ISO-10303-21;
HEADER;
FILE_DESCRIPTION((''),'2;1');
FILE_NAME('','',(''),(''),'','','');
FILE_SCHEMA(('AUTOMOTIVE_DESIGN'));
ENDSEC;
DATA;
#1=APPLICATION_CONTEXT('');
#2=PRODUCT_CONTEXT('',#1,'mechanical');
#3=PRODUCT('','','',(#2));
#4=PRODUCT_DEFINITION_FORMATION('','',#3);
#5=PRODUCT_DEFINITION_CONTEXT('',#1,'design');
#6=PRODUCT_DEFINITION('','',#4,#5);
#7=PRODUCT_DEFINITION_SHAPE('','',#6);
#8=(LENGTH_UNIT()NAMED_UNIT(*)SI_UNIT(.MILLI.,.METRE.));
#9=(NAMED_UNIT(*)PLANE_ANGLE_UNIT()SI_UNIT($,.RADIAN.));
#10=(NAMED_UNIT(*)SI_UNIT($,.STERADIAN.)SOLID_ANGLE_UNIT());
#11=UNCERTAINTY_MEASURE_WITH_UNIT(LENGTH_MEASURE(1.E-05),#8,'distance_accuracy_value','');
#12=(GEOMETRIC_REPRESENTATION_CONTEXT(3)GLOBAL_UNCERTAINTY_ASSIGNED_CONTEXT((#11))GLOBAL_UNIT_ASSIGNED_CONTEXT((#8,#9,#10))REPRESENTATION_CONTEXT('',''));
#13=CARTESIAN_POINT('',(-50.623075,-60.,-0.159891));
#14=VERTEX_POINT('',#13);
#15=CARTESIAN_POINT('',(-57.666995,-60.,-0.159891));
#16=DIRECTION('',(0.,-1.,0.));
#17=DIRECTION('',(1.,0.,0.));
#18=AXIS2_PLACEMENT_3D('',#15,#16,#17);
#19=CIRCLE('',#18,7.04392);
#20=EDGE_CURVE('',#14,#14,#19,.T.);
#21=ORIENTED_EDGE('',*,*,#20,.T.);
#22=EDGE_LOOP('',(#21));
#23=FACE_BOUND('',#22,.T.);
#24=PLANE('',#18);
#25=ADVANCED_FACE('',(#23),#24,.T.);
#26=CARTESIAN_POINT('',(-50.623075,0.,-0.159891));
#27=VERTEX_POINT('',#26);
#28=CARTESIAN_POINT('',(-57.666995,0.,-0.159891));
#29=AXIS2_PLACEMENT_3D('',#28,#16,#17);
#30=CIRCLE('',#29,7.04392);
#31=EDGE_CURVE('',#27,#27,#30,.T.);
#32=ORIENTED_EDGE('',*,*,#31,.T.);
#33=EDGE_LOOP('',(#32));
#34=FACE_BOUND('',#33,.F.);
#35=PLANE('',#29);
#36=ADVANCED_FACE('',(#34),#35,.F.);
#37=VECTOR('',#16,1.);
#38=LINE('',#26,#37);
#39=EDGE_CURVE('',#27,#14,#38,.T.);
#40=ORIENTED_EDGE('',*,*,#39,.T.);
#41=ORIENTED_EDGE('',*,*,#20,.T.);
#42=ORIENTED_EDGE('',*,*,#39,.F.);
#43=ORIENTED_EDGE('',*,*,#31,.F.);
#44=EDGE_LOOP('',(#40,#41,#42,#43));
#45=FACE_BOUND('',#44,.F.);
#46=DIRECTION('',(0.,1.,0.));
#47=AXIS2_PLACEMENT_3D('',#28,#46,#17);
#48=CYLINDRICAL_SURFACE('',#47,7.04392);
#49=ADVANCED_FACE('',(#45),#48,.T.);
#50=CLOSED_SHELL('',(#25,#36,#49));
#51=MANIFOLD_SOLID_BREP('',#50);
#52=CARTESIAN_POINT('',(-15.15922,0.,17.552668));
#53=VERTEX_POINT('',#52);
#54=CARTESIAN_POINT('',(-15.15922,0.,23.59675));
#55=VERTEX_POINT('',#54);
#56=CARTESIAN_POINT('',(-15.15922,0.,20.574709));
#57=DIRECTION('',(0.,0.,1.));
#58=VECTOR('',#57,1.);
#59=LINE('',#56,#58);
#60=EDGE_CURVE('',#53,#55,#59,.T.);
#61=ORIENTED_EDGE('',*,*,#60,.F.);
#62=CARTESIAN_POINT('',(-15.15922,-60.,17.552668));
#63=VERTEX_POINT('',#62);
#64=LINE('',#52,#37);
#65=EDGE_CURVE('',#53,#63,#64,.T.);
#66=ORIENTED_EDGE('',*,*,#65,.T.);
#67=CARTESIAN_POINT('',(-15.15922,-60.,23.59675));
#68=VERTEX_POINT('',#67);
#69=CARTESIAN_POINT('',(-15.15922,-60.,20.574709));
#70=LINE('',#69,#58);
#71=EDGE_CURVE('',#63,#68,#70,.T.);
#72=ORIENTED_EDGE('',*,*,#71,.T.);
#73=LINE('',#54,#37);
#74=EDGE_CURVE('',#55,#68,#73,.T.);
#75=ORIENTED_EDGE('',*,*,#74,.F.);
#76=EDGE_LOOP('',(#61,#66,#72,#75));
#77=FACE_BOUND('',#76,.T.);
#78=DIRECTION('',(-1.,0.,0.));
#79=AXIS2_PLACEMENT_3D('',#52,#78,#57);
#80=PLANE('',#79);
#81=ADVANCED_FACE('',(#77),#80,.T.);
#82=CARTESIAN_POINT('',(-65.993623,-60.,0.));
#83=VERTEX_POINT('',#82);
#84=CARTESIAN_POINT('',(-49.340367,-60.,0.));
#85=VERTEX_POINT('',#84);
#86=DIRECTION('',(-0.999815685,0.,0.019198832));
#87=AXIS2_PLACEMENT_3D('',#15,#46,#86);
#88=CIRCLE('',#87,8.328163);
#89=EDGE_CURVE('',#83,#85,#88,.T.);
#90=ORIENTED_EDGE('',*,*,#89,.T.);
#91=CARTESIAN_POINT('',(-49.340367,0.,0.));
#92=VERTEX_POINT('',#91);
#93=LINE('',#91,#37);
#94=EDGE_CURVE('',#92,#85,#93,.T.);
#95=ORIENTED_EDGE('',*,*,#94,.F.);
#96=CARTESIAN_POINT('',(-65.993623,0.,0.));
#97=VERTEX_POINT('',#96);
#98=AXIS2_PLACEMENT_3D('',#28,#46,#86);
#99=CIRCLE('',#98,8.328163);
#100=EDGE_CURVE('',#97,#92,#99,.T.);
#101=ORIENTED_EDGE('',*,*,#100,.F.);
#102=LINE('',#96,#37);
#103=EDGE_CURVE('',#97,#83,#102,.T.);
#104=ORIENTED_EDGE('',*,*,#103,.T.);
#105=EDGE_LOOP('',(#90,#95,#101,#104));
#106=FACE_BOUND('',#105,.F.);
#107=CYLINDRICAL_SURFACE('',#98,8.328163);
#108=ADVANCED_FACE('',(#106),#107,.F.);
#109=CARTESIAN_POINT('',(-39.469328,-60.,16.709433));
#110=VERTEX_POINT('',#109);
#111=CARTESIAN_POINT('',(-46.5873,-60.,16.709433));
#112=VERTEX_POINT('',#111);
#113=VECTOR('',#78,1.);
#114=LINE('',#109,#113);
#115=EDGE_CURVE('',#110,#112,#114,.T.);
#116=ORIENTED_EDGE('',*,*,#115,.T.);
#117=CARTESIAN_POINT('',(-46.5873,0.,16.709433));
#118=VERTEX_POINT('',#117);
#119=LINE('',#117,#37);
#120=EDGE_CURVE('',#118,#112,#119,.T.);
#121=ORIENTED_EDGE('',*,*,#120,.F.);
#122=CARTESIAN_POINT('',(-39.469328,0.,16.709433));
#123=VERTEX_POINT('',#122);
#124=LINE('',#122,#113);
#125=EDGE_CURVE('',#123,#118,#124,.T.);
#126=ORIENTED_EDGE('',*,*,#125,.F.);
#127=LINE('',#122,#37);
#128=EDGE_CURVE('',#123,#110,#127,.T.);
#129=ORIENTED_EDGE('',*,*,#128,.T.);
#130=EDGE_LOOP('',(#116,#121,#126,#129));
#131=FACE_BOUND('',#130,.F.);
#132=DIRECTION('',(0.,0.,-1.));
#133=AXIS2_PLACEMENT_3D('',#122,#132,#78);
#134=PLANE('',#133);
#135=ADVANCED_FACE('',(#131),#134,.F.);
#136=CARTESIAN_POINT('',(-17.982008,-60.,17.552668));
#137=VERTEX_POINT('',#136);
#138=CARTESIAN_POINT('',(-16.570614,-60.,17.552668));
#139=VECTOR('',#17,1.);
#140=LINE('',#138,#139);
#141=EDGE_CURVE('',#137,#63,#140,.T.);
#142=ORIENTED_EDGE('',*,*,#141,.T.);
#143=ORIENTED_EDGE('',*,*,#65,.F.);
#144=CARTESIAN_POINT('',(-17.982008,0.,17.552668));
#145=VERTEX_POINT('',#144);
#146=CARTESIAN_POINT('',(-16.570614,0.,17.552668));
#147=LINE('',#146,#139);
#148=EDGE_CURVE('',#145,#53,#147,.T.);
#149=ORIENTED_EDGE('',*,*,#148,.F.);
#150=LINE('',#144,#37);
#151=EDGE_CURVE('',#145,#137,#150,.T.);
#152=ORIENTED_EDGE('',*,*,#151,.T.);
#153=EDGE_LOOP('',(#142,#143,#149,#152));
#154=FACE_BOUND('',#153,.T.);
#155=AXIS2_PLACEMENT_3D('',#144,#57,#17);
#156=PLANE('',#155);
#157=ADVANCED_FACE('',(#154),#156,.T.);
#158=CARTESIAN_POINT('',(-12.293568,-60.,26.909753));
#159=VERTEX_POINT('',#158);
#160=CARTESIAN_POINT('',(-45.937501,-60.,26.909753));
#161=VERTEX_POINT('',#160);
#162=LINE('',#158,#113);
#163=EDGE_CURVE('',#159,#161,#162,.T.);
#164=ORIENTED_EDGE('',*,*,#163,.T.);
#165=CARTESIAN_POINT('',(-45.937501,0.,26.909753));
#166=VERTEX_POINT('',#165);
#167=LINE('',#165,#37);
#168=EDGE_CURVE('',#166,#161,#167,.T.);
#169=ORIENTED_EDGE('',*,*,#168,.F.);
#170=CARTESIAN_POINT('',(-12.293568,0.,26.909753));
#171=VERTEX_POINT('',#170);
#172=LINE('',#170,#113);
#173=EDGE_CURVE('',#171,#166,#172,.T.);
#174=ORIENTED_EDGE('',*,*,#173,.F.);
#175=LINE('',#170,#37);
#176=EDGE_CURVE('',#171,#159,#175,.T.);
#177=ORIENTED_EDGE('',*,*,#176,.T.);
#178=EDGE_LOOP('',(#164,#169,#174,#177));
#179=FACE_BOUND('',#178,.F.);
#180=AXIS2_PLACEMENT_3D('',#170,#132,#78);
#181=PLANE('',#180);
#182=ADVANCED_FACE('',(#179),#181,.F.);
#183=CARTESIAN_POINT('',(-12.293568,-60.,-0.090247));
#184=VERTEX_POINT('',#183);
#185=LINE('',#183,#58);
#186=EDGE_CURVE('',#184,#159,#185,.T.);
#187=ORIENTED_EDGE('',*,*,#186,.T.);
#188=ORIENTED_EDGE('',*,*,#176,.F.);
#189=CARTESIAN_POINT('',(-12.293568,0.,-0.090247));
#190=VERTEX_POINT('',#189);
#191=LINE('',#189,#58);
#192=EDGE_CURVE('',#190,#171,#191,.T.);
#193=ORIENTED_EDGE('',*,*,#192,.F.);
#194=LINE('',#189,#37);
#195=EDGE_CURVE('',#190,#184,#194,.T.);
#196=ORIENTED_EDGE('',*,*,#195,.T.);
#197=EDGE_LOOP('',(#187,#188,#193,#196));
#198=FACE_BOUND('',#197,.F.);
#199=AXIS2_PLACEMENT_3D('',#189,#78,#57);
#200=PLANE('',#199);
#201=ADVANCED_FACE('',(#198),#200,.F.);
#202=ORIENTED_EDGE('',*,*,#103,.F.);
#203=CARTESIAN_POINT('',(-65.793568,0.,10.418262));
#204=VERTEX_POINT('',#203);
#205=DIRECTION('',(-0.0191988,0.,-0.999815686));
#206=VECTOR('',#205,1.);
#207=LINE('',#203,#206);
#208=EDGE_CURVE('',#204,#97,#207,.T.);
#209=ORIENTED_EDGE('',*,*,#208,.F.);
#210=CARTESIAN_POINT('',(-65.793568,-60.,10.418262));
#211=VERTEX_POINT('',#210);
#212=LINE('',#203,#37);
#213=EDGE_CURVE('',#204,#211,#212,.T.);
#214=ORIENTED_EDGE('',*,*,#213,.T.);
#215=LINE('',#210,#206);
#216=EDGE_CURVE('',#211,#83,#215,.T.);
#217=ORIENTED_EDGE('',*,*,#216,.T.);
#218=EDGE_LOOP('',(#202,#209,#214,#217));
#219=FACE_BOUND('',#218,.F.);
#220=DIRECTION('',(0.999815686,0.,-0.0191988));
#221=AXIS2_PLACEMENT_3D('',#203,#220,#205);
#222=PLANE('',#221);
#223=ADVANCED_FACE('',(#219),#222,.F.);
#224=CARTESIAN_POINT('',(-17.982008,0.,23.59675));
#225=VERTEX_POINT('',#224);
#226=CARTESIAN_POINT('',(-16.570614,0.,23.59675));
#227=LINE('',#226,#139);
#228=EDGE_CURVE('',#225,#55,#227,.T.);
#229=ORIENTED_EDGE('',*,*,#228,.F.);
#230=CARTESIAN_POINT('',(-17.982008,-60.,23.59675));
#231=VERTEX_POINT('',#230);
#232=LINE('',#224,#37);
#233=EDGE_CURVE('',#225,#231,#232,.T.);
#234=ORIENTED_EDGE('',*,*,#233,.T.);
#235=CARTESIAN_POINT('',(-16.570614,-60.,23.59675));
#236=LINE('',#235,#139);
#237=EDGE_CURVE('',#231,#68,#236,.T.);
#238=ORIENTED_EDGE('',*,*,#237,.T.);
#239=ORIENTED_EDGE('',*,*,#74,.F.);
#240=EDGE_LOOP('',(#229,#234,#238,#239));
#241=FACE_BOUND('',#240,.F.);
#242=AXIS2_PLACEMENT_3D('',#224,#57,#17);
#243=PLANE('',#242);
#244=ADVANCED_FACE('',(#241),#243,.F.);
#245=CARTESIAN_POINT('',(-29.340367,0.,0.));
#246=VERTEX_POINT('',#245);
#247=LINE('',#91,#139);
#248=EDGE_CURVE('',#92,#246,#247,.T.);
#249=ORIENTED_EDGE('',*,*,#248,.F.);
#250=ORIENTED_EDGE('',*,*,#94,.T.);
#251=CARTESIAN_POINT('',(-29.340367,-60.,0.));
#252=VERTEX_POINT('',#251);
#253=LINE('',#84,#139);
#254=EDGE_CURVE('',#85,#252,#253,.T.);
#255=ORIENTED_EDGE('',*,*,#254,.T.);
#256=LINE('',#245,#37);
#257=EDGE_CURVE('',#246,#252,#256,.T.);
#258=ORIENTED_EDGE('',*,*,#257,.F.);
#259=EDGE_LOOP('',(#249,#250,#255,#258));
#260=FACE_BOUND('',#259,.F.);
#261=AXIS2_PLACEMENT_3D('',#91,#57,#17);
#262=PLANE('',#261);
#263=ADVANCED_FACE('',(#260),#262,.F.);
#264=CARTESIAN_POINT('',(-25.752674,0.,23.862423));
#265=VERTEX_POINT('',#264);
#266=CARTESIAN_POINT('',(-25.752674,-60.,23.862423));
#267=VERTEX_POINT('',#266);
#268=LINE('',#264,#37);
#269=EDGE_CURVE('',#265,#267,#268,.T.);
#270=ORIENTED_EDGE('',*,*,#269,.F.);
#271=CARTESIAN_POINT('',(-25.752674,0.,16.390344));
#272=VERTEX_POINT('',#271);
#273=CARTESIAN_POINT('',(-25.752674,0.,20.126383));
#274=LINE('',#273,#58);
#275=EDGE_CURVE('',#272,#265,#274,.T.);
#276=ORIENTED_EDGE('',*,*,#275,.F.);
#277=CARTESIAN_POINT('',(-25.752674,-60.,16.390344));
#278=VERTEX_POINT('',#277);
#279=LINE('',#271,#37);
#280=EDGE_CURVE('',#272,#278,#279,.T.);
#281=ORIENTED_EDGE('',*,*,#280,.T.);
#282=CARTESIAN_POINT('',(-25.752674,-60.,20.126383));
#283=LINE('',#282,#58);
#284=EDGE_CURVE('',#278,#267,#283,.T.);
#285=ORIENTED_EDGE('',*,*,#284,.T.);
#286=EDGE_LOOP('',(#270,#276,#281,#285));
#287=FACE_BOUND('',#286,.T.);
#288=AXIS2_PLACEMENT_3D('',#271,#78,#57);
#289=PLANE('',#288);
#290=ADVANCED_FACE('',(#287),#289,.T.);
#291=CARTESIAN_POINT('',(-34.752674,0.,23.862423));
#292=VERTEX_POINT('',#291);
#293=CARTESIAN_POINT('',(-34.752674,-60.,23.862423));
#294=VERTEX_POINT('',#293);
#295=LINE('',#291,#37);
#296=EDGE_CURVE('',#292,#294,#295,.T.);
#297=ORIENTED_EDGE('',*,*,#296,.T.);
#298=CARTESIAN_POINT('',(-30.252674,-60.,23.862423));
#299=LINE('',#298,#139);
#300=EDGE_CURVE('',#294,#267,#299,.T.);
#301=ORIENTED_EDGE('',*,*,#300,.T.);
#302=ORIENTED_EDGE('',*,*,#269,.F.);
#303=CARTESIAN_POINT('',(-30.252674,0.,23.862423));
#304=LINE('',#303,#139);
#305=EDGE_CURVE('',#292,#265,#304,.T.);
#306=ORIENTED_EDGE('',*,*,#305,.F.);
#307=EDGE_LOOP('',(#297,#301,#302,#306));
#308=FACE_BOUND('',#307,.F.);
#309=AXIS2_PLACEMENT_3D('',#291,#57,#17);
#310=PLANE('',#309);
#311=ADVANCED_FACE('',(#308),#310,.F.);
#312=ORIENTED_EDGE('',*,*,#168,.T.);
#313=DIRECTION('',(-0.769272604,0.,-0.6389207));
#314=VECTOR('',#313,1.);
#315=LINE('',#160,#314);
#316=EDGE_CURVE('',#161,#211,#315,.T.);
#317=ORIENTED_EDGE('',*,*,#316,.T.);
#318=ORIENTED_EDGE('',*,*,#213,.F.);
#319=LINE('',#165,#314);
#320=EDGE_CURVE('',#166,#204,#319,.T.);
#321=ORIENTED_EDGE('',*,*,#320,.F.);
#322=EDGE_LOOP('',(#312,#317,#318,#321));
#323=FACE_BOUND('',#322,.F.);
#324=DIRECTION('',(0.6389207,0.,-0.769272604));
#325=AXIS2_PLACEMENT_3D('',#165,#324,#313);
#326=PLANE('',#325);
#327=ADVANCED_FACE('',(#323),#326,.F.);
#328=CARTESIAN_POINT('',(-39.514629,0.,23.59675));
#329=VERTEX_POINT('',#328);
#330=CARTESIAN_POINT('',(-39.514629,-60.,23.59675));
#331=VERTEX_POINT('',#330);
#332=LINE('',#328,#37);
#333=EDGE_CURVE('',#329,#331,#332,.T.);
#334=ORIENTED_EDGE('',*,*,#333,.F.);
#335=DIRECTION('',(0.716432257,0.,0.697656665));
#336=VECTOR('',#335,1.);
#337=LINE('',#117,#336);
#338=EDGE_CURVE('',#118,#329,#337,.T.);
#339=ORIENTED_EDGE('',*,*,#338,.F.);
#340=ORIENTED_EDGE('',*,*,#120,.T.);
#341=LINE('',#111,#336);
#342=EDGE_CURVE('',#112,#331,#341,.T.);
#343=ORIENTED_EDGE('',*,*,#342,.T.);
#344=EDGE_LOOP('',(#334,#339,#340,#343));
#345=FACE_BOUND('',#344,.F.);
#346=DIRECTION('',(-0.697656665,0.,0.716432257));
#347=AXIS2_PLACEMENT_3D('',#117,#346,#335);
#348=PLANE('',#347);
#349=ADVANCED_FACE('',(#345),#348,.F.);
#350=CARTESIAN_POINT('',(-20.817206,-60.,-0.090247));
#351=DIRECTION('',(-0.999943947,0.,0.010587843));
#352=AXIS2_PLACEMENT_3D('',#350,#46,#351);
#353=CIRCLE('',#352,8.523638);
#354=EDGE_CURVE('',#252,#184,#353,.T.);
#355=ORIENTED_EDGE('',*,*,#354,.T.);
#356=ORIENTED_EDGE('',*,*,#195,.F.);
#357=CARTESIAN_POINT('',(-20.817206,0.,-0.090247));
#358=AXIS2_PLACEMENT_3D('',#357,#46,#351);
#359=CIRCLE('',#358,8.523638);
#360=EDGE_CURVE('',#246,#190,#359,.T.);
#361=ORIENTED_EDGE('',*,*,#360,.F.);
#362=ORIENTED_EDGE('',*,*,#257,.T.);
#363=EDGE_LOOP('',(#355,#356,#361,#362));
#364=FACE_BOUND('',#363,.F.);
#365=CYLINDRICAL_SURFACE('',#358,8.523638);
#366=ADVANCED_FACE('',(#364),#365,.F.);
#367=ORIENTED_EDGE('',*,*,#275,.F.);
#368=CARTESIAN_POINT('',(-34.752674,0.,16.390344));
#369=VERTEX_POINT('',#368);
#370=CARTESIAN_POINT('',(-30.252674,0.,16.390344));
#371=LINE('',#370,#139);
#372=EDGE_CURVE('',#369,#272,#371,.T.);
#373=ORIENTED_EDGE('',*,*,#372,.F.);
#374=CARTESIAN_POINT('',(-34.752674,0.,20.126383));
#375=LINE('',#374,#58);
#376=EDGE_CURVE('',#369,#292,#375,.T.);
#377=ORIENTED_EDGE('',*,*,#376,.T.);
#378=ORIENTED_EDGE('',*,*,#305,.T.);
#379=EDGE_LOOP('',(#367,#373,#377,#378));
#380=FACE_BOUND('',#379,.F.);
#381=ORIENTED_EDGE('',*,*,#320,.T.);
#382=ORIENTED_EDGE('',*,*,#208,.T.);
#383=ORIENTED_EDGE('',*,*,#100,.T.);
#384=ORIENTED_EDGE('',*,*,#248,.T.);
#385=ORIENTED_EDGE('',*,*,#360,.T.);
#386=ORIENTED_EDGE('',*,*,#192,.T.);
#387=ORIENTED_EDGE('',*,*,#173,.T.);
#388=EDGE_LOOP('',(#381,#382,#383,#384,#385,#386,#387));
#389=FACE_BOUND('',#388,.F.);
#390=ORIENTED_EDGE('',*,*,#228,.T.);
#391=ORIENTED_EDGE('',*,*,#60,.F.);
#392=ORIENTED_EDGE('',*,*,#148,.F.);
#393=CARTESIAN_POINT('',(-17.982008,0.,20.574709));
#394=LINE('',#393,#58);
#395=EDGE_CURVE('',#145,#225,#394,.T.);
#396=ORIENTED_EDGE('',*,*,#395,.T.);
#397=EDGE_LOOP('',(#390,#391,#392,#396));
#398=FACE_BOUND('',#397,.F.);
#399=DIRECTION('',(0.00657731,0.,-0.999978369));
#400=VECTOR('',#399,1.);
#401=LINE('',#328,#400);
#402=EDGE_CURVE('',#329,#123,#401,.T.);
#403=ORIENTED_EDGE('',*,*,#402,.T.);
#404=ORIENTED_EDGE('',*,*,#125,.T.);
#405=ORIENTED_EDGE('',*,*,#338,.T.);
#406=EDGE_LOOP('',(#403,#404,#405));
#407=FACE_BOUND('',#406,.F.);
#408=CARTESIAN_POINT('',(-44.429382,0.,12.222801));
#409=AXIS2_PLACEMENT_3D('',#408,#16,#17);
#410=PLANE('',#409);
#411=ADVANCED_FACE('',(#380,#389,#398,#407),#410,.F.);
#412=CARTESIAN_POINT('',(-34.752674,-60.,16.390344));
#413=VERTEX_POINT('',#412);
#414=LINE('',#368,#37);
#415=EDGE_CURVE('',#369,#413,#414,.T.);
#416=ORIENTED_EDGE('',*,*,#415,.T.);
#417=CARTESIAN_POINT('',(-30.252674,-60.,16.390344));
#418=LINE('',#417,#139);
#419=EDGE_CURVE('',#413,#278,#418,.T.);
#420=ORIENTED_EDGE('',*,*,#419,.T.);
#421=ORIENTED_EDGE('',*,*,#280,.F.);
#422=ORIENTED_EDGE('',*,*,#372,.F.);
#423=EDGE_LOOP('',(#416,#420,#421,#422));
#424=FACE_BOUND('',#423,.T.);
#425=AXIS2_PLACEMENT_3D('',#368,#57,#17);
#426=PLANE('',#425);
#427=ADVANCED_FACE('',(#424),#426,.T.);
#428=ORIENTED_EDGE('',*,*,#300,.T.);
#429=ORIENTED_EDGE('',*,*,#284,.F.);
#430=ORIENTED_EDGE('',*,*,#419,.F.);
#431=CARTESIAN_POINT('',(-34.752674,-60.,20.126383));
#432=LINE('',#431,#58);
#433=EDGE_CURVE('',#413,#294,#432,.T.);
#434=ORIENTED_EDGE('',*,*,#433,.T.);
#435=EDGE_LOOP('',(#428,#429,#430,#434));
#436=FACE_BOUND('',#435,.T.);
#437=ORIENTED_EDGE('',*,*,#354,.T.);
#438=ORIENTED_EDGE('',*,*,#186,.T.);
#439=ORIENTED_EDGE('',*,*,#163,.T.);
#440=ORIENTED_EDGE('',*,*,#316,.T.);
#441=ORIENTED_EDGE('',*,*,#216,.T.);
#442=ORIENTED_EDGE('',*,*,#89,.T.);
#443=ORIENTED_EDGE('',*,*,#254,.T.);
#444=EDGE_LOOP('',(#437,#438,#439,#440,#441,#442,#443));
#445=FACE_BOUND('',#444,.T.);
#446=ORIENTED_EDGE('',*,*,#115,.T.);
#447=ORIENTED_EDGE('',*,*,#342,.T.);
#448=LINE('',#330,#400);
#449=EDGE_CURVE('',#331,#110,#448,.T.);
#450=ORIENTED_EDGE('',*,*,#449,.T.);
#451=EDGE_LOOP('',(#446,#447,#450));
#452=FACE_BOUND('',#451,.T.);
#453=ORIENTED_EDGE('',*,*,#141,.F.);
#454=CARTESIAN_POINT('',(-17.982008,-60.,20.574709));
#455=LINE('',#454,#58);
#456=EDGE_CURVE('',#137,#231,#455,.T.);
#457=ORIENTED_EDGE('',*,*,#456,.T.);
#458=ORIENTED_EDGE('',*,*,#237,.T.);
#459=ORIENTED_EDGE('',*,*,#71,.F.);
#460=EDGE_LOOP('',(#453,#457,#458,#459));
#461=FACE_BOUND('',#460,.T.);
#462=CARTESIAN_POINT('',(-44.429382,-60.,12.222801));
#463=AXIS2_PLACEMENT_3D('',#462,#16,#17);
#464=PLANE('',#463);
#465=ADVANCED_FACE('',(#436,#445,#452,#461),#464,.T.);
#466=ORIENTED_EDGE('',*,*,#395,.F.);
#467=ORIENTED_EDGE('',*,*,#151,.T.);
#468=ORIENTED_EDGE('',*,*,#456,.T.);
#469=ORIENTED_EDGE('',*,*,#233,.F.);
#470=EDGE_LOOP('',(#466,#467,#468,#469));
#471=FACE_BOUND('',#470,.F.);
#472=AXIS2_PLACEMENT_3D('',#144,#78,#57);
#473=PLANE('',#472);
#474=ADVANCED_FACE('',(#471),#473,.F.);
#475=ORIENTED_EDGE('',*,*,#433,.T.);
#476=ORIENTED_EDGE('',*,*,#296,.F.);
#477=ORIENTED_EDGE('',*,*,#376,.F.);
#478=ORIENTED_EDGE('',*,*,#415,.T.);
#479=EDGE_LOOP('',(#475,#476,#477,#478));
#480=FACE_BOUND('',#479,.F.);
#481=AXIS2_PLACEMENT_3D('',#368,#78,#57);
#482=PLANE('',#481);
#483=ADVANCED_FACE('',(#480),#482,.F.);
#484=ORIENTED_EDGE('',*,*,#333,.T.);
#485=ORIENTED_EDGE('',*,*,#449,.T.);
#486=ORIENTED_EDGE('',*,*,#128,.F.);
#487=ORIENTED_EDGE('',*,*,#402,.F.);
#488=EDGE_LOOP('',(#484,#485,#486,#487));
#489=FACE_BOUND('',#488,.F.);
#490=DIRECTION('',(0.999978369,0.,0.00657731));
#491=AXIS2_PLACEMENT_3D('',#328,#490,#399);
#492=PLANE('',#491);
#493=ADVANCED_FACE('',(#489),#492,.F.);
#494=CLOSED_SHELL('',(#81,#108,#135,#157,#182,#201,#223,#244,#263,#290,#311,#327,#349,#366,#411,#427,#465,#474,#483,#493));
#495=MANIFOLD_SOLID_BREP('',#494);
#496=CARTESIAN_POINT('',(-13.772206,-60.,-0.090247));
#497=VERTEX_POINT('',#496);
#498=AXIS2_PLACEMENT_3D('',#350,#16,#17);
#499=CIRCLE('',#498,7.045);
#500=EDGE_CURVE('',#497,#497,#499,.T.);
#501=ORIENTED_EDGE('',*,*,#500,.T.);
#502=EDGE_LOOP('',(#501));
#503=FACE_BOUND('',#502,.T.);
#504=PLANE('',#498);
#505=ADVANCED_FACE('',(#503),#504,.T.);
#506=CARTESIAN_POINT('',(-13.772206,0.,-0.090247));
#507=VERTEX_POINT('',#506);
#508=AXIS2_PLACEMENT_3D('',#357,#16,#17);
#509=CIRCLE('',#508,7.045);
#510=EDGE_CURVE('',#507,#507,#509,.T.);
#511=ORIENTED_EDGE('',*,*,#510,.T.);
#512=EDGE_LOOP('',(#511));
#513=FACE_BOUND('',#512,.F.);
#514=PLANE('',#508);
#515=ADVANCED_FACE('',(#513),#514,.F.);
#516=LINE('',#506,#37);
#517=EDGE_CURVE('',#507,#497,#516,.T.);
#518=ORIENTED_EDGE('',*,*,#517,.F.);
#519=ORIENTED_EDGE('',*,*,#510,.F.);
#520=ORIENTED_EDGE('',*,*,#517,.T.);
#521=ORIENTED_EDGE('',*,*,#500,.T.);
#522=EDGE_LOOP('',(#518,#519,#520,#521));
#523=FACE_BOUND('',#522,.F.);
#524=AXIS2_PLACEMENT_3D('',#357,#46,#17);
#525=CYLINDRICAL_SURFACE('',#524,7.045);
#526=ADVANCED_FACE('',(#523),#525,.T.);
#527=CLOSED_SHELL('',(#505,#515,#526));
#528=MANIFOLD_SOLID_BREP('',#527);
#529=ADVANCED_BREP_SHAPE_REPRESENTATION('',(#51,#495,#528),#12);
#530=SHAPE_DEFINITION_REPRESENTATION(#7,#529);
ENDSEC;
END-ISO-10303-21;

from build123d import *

# Parameters (mm, degrees)
F0_W     = 9
F0_H     = 7.472079
F0_W_2   = 2.822788
F0_H_2   = 6.044082
F0_R     = 7.04392
F0_R_2   = 7.045
F1_DEPTH = 60


with BuildPart() as f1:
    # F0 (on Front) → F1 (new body)
    with BuildSketch(Plane.XZ):
        Polygon((-49.340367, 10.418262), (-49.340367, 0), (-37.00133, 0), (-37.00133, 26.909753), (-40.631652, 26.909753), (-57.566967, 10.418262), align=None)
        Polygon((-46.5873, 16.709433), (-39.514629, 23.59675), (-39.469328, 16.709433), align=None, mode=Mode.SUBTRACT)
        with BuildLine():
            ThreePointArc((-65.993623, 0), (-57.666995, 8.168272), (-49.340367, 0))
            Line((-49.340367, 0), (-49.340367, 10.418262))
            Line((-49.340367, 10.418262), (-57.566967, 10.418262))
            Line((-57.566967, 10.418262), (-65.793568, 10.418262))
            Line((-65.793568, 10.418262), (-65.993623, 0))
        make_face()
        Polygon((-37.00133, 26.909753), (-37.00133, 0), (-29.340367, 0), (-29.340367, 10.652354), (-25.786178, 10.652354), (-20.816967, 19.711269), (-20.816967, 26.909753), align=None)
        with Locations((-30.252674, 20.126383)):
            Rectangle(F0_W, F0_H, mode=Mode.SUBTRACT)
        with BuildLine():
            Line((-29.340367, 10.652354), (-29.340367, 0))
            ThreePointArc((-29.340367, 0), (-20.772082, 8.433272), (-12.293568, -0.090247))
            Line((-12.293568, -0.090247), (-12.293568, 10.652354))
            Line((-12.293568, 10.652354), (-25.786178, 10.652354))
            Line((-25.786178, 10.652354), (-29.340367, 10.652354))
        make_face()
        Polygon((-65.793568, 10.418262), (-57.566967, 10.418262), (-40.631652, 26.909753), (-45.937501, 26.909753), align=None)
        Polygon((-12.293568, 26.909753), (-20.816967, 26.909753), (-20.816967, 19.711269), (-25.786178, 10.652354), (-12.293568, 10.652354), align=None)
        with Locations((-16.570614, 20.574709)):
            Rectangle(F0_W_2, F0_H_2, mode=Mode.SUBTRACT)
        with Locations((-57.666995, -0.159891)):
            Circle(F0_R)
        with Locations((-20.817206, -0.090247)):
            Circle(F0_R_2)
    extrude(amount=F1_DEPTH)


solid = f1.part
